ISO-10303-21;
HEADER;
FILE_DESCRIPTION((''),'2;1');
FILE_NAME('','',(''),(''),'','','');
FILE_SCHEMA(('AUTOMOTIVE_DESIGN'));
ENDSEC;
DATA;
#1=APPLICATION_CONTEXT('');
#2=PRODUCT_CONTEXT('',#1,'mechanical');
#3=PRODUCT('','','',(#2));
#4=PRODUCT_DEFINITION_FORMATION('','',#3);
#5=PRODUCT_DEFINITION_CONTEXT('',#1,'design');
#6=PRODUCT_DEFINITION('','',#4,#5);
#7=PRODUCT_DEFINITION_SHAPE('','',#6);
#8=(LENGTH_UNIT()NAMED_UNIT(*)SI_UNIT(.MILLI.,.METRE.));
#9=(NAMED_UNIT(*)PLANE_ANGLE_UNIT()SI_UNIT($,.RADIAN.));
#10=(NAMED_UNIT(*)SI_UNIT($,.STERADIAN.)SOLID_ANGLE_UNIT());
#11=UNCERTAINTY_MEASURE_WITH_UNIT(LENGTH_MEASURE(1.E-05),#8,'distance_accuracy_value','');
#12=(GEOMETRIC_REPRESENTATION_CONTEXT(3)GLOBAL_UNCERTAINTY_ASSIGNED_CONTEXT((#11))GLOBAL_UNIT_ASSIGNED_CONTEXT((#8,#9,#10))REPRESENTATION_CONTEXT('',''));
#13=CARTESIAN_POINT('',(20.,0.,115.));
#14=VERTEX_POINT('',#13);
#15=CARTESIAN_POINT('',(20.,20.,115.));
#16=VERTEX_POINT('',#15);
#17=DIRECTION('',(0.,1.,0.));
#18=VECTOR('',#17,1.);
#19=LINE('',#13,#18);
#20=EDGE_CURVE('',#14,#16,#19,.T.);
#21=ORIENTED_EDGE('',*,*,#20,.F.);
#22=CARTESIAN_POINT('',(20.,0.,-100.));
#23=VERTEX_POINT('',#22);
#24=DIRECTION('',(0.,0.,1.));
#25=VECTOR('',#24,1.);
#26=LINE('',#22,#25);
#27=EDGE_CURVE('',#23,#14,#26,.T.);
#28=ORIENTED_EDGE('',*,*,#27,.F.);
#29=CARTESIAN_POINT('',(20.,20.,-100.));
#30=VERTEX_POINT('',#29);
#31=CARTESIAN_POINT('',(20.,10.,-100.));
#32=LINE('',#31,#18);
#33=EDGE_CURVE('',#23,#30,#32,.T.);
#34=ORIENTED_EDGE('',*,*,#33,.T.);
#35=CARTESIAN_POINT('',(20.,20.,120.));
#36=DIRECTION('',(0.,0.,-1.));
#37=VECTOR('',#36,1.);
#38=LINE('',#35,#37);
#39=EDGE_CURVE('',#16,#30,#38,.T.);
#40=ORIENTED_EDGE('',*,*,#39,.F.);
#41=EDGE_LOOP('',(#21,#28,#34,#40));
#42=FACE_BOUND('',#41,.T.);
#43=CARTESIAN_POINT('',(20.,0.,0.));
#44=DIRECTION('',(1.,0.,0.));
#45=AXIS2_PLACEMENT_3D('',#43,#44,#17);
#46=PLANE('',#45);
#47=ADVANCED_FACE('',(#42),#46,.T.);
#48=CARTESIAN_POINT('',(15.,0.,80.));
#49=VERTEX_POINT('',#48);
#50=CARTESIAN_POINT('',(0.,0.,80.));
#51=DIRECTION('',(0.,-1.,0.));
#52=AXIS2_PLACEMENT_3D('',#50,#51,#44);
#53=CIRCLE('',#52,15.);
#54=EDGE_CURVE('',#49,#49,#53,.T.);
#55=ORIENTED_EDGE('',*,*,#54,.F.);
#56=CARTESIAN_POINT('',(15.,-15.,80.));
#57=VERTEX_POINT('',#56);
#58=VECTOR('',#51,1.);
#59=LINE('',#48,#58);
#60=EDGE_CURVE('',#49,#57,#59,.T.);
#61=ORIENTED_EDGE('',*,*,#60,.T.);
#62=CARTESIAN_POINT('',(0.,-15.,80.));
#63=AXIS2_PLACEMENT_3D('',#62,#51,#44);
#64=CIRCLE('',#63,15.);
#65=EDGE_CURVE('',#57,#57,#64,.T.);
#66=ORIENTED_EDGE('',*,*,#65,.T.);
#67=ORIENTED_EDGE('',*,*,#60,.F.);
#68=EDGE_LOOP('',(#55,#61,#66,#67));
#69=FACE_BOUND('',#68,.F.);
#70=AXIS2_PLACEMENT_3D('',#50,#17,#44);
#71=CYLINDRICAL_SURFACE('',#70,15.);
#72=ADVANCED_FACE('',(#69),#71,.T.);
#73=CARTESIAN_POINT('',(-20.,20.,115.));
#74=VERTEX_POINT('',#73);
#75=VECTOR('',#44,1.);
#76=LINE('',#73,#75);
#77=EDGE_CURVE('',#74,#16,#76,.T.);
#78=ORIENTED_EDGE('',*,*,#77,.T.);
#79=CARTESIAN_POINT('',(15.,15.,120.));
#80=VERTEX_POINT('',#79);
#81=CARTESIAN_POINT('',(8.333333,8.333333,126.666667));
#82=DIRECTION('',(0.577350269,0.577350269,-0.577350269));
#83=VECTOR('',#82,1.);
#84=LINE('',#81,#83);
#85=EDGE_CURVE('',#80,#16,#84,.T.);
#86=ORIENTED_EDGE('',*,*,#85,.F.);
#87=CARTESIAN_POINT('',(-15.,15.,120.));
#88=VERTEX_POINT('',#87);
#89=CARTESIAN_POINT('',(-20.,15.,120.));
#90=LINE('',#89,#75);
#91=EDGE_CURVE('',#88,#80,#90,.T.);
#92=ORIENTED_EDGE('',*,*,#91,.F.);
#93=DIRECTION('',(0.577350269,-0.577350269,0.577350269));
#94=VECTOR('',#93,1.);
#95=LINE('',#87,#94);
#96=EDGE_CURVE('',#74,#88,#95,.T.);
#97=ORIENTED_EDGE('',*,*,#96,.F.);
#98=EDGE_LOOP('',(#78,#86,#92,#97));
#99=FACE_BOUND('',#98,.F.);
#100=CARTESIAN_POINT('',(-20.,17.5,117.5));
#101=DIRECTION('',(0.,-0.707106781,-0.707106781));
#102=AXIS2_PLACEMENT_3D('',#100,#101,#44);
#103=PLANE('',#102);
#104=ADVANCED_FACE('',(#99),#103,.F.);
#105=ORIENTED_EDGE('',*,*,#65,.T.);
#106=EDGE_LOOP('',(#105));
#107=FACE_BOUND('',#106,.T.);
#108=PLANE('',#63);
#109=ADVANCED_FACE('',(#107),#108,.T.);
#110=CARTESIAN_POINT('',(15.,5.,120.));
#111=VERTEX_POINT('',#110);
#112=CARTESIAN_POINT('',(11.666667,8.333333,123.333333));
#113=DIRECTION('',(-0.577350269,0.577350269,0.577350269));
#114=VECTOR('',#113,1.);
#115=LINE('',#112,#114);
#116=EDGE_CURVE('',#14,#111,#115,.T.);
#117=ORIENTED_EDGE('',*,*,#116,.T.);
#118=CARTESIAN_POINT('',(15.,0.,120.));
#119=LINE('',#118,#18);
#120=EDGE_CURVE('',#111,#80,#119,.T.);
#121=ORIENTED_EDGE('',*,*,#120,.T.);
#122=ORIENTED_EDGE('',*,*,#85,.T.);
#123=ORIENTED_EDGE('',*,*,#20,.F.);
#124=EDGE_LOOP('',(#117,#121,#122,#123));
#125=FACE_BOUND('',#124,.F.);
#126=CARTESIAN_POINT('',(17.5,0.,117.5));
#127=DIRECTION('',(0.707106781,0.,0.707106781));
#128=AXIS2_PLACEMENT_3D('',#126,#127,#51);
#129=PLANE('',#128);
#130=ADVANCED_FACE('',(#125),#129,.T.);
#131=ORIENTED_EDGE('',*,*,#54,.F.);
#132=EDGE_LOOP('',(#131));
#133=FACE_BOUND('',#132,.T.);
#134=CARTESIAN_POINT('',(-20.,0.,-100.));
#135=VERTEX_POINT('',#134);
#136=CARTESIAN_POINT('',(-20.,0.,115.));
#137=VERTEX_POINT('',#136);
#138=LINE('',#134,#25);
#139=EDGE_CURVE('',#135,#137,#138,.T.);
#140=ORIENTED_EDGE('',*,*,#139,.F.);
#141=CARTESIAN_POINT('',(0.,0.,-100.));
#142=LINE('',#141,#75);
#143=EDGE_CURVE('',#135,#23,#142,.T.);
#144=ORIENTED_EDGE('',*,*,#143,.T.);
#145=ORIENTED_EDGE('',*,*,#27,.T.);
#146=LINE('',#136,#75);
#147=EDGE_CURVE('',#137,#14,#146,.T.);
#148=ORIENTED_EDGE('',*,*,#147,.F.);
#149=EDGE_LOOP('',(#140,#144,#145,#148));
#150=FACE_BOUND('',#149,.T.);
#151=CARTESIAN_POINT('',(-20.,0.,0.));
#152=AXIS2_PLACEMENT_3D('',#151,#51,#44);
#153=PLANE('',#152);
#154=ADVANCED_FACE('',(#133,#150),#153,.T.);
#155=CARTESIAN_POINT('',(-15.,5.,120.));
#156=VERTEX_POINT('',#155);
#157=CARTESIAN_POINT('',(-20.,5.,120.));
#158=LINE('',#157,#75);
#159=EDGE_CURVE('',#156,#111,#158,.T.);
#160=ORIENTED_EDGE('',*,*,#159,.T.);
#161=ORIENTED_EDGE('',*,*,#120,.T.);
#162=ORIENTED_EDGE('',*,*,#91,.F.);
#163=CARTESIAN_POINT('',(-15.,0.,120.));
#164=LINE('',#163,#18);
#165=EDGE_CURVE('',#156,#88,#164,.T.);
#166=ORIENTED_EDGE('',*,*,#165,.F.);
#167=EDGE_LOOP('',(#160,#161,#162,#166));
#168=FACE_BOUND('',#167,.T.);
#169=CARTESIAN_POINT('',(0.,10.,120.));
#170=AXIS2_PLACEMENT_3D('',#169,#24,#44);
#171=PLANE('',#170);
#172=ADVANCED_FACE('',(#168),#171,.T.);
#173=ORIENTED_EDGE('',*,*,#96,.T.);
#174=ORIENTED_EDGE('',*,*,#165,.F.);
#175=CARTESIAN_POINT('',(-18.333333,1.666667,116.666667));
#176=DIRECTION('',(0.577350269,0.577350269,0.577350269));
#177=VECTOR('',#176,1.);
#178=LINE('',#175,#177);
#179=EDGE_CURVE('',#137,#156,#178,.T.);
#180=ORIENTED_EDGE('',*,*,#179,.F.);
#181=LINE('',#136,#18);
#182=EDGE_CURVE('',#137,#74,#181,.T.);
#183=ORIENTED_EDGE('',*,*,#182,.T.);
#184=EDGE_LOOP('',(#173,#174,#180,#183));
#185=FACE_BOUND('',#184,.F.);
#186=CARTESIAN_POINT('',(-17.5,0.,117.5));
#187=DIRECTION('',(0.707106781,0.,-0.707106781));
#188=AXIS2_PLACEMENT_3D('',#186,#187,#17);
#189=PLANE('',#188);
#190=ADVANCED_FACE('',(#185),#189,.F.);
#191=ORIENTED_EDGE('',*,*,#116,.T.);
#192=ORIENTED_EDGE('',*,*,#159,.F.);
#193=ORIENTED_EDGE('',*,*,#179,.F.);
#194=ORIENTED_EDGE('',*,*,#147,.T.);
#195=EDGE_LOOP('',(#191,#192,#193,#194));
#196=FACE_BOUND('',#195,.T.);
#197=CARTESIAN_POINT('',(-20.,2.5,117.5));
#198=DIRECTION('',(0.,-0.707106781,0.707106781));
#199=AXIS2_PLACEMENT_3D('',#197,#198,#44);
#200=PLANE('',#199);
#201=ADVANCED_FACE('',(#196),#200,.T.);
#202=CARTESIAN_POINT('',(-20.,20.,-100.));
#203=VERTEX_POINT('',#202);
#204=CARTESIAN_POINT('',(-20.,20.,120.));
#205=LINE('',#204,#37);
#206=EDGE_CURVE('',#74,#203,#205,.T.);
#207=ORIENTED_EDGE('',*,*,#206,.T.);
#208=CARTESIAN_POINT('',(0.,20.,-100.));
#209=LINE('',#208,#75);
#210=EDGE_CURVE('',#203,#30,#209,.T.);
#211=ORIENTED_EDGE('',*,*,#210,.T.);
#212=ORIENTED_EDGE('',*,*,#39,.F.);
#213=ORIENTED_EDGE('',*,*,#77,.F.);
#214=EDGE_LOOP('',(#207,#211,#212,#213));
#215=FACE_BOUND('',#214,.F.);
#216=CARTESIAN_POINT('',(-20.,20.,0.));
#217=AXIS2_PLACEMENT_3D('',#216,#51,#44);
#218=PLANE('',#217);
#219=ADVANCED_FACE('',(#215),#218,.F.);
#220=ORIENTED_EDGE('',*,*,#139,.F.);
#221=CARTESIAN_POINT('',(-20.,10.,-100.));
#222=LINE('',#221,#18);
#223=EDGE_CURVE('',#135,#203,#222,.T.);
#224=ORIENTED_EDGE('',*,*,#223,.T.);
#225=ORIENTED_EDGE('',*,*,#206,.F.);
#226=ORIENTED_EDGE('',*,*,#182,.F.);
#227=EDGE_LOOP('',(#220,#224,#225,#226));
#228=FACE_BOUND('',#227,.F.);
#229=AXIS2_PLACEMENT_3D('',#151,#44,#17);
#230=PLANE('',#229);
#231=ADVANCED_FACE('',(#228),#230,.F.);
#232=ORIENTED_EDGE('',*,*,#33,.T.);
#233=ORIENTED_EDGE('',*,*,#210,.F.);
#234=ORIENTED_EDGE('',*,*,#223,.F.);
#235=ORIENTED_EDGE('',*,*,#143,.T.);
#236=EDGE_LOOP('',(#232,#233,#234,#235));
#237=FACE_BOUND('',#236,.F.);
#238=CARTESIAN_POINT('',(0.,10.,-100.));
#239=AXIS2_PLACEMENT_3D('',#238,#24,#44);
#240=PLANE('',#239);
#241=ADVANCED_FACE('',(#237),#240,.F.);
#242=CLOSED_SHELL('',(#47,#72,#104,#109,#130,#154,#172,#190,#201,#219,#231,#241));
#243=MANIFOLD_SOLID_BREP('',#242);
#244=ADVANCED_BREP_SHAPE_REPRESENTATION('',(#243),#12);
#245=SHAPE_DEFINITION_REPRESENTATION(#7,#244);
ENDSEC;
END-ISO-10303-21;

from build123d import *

# Parameters (mm, degrees)
F0_W          = 40
F0_H          = 20
F1_DEPTH      = 120
F1_DEPTH_BACK = 100
F2_R          = 15
F3_DEPTH      = 15
F4_SIZE       = 5


with BuildPart() as f1:
    # F0 (on Top) → F1 (new body, two sides)
    with BuildSketch(Plane.XY) as f1_sk:
        with Locations((0, 10)):
            Rectangle(F0_W, F0_H)
    extrude(amount=F1_DEPTH)
    extrude(f1_sk.sketch, amount=-F1_DEPTH_BACK)

    # F2 (on face) → F3 (join)
    with BuildSketch(Plane.XZ):
        with Locations((0, 80)):
            Circle(F2_R)
    extrude(amount=F3_DEPTH)

    # F4
    f4_edges = [f1.edges().sort_by_distance(p)[0] for p in [
        (0, 0, 120),
        (20, 10, 120),
        (0, 20, 120),
        (-20, 10, 120),
    ]]
    chamfer(f4_edges, length=F4_SIZE)


solid = f1.part
